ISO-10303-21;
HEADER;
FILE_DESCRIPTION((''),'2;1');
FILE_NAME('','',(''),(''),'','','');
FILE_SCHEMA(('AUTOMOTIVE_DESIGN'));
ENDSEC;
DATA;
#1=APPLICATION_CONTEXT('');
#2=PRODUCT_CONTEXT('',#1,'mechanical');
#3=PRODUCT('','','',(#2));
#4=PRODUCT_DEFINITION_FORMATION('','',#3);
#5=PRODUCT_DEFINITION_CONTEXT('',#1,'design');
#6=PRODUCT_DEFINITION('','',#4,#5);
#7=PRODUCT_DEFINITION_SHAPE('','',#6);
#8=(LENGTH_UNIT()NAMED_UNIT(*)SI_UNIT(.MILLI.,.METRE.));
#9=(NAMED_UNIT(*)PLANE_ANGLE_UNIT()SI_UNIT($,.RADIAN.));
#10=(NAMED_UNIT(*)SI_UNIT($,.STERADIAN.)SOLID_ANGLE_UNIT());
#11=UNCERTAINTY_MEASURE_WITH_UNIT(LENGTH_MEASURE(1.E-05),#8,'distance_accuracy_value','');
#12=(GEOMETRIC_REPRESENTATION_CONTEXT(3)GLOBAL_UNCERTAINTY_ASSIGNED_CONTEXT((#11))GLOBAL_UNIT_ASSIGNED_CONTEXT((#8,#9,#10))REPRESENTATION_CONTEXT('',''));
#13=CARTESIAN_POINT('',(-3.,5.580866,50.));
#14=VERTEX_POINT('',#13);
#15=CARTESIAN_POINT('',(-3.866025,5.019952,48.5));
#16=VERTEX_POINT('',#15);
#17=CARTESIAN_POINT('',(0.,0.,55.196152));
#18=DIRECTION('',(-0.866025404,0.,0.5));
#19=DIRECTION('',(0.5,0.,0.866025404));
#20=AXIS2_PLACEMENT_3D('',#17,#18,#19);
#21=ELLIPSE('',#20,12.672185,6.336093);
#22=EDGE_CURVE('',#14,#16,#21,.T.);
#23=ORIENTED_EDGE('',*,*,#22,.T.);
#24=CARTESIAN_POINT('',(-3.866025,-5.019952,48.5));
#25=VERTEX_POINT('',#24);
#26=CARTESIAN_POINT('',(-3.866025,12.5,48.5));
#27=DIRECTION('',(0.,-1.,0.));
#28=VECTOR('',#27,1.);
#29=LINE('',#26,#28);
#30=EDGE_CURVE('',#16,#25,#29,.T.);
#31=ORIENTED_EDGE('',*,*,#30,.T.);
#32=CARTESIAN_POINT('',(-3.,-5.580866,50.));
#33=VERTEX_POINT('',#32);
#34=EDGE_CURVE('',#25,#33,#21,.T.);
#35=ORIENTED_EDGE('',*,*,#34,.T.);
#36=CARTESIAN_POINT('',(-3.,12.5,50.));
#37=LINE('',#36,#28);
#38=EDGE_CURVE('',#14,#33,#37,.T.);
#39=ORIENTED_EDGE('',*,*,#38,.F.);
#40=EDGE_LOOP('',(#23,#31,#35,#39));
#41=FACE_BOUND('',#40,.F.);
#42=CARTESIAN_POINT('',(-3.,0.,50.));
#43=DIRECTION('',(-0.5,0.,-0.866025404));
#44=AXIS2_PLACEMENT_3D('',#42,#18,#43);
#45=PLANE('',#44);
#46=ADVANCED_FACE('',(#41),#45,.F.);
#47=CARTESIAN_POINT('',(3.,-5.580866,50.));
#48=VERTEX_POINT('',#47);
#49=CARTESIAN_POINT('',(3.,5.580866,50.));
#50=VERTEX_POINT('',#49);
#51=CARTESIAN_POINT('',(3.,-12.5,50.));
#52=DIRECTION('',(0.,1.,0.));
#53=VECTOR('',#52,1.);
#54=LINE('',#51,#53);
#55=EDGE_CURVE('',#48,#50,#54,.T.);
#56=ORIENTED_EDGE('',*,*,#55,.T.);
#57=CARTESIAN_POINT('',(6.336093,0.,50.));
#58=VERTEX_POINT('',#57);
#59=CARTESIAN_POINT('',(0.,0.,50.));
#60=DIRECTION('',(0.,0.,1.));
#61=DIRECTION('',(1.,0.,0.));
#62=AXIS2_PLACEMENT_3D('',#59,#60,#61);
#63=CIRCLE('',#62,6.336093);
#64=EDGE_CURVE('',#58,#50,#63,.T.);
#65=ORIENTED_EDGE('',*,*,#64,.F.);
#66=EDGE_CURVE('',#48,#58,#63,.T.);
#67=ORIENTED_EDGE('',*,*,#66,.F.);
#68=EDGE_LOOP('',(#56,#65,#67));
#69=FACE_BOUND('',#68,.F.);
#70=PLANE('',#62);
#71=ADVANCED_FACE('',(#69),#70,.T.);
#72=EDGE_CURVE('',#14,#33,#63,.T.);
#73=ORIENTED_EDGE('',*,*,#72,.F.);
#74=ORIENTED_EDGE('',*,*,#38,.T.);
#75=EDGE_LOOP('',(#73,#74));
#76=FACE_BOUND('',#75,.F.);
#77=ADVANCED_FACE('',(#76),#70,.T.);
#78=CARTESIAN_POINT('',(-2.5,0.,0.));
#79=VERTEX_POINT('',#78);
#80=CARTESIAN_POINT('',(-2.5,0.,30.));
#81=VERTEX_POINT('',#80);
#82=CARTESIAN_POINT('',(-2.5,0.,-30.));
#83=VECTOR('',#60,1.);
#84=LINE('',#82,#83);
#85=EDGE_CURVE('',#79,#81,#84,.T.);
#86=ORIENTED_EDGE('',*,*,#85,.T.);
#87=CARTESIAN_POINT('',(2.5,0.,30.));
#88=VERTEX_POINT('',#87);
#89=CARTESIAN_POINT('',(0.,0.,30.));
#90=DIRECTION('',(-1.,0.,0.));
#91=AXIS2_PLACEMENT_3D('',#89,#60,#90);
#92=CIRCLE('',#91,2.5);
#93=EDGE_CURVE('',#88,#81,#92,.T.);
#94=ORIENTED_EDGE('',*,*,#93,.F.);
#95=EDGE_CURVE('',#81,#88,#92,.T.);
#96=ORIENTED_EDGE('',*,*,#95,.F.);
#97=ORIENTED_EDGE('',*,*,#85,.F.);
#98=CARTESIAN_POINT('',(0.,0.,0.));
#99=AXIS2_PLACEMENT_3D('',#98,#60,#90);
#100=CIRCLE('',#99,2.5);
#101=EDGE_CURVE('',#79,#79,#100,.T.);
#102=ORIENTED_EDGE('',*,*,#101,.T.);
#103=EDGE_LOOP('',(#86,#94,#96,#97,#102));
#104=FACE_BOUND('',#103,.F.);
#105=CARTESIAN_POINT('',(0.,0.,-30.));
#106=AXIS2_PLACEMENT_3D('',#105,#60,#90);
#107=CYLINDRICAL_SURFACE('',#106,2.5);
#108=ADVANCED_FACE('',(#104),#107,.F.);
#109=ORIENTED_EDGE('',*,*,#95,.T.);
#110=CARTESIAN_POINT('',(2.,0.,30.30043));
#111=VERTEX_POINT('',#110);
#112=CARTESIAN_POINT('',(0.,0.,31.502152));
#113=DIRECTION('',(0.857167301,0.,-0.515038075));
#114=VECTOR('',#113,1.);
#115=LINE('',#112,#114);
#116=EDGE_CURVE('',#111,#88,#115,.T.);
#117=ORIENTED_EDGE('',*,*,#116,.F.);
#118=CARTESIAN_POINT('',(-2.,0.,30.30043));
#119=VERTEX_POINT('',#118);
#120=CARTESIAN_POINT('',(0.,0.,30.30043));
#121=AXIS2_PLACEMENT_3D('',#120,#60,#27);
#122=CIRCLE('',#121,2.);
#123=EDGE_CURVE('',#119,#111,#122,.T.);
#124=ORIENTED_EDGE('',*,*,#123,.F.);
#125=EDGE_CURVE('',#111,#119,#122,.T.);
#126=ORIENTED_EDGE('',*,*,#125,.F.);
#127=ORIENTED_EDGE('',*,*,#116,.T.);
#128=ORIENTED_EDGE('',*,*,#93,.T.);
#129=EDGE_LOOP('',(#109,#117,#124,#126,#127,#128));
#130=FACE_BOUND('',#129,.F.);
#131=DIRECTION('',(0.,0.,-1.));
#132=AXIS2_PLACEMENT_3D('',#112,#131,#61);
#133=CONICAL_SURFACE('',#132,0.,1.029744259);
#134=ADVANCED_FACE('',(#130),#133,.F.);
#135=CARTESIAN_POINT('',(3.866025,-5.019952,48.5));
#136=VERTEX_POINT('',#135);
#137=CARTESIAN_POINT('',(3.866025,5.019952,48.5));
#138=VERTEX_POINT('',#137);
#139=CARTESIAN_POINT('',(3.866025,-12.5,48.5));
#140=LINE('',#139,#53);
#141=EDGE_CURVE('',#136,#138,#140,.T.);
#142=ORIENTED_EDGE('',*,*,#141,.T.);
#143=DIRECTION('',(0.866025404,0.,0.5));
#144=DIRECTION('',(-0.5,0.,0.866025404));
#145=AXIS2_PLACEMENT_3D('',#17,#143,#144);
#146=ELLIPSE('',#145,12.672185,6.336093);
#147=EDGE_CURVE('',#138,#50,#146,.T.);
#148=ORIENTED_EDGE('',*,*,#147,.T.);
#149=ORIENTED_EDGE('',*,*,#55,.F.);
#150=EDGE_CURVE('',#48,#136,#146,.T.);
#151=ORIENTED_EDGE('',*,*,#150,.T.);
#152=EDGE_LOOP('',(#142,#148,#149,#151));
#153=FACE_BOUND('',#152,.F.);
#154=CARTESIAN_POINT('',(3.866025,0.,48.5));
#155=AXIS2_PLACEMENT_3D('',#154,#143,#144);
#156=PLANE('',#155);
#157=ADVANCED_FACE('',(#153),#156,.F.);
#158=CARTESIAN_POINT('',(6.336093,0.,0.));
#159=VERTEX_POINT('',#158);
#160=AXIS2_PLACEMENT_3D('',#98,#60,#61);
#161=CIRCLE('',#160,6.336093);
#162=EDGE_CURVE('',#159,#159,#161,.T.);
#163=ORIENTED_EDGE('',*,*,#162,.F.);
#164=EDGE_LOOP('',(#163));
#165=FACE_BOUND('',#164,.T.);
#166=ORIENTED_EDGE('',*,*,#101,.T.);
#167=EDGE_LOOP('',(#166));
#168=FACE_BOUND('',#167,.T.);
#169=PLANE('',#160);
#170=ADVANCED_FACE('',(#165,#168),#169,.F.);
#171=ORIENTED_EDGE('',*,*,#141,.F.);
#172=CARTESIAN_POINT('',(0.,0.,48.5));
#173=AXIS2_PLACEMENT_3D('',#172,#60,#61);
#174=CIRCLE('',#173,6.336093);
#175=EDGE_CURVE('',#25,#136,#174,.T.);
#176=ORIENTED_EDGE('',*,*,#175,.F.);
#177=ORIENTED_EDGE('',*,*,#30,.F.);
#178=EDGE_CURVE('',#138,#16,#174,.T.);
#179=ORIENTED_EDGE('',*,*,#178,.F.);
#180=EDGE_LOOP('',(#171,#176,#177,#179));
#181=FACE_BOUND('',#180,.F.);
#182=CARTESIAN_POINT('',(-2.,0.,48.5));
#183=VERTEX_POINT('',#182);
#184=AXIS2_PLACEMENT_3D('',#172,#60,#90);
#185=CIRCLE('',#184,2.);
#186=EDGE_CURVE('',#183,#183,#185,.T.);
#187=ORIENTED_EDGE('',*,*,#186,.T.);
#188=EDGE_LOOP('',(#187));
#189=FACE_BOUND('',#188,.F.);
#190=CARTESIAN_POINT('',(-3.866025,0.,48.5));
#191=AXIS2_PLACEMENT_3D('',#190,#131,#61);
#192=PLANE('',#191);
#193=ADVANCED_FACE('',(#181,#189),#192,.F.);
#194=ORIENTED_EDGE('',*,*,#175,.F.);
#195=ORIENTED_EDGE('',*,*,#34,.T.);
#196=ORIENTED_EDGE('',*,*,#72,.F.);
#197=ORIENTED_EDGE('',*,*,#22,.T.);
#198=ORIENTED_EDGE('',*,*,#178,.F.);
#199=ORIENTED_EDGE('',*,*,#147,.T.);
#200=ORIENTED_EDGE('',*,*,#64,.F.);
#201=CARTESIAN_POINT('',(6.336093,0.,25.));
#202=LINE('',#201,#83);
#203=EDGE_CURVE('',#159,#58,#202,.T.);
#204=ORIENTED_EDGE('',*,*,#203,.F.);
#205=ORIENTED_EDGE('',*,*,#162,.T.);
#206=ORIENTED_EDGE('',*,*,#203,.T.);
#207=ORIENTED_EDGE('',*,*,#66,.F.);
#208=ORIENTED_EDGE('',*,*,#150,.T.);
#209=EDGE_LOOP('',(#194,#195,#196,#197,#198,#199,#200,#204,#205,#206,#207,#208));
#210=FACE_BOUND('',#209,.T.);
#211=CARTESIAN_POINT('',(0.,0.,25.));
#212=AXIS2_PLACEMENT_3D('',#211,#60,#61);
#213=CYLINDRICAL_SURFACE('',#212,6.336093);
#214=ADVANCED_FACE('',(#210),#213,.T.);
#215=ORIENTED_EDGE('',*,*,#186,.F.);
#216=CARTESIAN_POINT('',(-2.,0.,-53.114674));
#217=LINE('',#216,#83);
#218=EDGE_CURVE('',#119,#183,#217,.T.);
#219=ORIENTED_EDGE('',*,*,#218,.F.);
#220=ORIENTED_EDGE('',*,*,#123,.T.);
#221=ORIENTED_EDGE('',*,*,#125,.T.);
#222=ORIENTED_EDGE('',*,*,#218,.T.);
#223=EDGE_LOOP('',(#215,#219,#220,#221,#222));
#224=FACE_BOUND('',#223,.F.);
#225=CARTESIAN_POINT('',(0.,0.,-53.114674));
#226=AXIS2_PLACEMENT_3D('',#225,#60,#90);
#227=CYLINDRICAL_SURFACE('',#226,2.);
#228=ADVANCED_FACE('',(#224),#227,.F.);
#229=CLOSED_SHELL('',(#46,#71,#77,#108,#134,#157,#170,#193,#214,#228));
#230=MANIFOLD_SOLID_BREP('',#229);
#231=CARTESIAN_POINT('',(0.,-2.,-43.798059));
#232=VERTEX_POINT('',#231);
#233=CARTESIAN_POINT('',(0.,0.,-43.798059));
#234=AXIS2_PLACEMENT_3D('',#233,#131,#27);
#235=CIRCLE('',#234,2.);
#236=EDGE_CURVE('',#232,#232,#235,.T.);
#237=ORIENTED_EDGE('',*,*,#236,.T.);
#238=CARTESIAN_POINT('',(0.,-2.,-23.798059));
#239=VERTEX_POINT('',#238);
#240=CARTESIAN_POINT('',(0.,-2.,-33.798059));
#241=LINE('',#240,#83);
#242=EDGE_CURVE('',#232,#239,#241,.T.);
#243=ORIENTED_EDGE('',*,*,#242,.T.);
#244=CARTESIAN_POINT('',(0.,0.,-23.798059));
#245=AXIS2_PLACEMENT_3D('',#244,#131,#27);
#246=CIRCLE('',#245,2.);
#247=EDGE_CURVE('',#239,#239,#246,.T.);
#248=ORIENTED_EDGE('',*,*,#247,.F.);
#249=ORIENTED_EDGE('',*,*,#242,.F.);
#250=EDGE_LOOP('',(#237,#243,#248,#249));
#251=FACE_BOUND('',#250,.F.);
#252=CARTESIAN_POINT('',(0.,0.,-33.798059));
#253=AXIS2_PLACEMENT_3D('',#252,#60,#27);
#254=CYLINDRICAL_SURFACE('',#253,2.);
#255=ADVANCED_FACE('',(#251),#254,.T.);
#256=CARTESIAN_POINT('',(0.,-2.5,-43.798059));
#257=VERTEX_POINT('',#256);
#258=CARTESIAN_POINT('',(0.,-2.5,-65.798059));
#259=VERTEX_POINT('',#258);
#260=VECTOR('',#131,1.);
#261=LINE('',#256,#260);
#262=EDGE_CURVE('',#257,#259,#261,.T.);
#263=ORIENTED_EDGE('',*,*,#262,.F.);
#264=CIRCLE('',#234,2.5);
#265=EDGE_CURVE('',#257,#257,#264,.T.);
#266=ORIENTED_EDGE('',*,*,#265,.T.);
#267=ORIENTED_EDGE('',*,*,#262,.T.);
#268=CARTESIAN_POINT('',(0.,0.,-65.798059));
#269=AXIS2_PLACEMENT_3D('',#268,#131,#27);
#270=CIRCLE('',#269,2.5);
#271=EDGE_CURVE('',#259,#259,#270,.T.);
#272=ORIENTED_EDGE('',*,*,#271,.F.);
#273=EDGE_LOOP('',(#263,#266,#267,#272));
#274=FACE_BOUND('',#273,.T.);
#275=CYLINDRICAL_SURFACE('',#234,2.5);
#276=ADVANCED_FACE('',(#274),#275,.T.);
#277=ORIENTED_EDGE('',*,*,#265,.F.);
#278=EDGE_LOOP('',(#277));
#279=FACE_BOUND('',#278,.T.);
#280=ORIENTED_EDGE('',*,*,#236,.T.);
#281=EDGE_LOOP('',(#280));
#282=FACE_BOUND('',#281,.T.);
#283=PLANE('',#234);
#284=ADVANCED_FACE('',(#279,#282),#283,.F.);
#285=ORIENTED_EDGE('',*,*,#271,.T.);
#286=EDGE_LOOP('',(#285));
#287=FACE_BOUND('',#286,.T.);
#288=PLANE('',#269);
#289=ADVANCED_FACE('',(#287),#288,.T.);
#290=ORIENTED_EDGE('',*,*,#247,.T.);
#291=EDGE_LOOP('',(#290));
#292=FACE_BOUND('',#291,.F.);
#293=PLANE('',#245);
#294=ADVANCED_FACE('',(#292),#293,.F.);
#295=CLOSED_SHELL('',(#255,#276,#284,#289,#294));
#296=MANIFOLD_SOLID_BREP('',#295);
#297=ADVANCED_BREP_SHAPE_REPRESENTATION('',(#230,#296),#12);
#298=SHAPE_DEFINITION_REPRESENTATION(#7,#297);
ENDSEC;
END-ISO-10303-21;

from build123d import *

# Parameters (mm, degrees)
F0_W     = 6.3360925007
F0_H     = 50
F3_DEPTH = 12.5
F5_D     = 4
F6_D     = 5
F6_DEPTH = 30
F6_TIP   = 1.5021515476
F7_W     = 2
F7_H     = 20


with BuildPart() as f1:
    # F0 (on Front) → F1 (revolve)
    with BuildSketch(Plane.XZ):
        with Locations((3.1680462503, 25)):
            Rectangle(F0_W, F0_H)
    revolve(axis=Axis((0, 0, 25), (0, 0, 1)))

    # F2 (on Front) → F3 (cut, symmetric)
    with BuildSketch(Plane.XZ):
        Polygon((3, 50), (3, 51.5), (-3, 51.5), (-3, 50), (-3.8660254038, 48.5), (-3, 48.5), (3, 48.5), align=None)
        Polygon((3.8660254038, 48.5), (3, 50), (3, 48.5), align=None)
    extrude(amount=F3_DEPTH, both=True, mode=Mode.SUBTRACT)

    # F5 (through all)
    with Locations(Plane(origin=(0, 0, 0), x_dir=(1, 0, 0), z_dir=(0, 0, -1))):
        with Locations((0, 0)):
            Hole(F5_D / 2)

    # F6
    with Locations(Plane(origin=(0, 0, 0), x_dir=(1, 0, 0), z_dir=(0, 0, -1))):
        with Locations((0, 0)):
            Hole(F6_D / 2, depth=F6_DEPTH)
            with Locations((0, 0, -(F6_DEPTH + F6_TIP / 2))):  # 118° drill point
                Cone(0, F6_D / 2, F6_TIP, mode=Mode.SUBTRACT)


with BuildPart() as f8:
    # F7 (on Right) → F8 (revolve)
    with BuildSketch(Plane.YZ):
        with Locations((-1, -33.7980591059)):
            Rectangle(F7_W, F7_H)
        Polygon((0, -65.7980591059), (0, -43.7980591059), (-2, -43.7980591059), (-2.5, -43.7980591059), (-2.5, -65.7980591059), align=None)
    revolve(axis=Axis((0, 0, -33.7980591059), (0, 0, -1)))


solid = Compound([f1.part, f8.part])
